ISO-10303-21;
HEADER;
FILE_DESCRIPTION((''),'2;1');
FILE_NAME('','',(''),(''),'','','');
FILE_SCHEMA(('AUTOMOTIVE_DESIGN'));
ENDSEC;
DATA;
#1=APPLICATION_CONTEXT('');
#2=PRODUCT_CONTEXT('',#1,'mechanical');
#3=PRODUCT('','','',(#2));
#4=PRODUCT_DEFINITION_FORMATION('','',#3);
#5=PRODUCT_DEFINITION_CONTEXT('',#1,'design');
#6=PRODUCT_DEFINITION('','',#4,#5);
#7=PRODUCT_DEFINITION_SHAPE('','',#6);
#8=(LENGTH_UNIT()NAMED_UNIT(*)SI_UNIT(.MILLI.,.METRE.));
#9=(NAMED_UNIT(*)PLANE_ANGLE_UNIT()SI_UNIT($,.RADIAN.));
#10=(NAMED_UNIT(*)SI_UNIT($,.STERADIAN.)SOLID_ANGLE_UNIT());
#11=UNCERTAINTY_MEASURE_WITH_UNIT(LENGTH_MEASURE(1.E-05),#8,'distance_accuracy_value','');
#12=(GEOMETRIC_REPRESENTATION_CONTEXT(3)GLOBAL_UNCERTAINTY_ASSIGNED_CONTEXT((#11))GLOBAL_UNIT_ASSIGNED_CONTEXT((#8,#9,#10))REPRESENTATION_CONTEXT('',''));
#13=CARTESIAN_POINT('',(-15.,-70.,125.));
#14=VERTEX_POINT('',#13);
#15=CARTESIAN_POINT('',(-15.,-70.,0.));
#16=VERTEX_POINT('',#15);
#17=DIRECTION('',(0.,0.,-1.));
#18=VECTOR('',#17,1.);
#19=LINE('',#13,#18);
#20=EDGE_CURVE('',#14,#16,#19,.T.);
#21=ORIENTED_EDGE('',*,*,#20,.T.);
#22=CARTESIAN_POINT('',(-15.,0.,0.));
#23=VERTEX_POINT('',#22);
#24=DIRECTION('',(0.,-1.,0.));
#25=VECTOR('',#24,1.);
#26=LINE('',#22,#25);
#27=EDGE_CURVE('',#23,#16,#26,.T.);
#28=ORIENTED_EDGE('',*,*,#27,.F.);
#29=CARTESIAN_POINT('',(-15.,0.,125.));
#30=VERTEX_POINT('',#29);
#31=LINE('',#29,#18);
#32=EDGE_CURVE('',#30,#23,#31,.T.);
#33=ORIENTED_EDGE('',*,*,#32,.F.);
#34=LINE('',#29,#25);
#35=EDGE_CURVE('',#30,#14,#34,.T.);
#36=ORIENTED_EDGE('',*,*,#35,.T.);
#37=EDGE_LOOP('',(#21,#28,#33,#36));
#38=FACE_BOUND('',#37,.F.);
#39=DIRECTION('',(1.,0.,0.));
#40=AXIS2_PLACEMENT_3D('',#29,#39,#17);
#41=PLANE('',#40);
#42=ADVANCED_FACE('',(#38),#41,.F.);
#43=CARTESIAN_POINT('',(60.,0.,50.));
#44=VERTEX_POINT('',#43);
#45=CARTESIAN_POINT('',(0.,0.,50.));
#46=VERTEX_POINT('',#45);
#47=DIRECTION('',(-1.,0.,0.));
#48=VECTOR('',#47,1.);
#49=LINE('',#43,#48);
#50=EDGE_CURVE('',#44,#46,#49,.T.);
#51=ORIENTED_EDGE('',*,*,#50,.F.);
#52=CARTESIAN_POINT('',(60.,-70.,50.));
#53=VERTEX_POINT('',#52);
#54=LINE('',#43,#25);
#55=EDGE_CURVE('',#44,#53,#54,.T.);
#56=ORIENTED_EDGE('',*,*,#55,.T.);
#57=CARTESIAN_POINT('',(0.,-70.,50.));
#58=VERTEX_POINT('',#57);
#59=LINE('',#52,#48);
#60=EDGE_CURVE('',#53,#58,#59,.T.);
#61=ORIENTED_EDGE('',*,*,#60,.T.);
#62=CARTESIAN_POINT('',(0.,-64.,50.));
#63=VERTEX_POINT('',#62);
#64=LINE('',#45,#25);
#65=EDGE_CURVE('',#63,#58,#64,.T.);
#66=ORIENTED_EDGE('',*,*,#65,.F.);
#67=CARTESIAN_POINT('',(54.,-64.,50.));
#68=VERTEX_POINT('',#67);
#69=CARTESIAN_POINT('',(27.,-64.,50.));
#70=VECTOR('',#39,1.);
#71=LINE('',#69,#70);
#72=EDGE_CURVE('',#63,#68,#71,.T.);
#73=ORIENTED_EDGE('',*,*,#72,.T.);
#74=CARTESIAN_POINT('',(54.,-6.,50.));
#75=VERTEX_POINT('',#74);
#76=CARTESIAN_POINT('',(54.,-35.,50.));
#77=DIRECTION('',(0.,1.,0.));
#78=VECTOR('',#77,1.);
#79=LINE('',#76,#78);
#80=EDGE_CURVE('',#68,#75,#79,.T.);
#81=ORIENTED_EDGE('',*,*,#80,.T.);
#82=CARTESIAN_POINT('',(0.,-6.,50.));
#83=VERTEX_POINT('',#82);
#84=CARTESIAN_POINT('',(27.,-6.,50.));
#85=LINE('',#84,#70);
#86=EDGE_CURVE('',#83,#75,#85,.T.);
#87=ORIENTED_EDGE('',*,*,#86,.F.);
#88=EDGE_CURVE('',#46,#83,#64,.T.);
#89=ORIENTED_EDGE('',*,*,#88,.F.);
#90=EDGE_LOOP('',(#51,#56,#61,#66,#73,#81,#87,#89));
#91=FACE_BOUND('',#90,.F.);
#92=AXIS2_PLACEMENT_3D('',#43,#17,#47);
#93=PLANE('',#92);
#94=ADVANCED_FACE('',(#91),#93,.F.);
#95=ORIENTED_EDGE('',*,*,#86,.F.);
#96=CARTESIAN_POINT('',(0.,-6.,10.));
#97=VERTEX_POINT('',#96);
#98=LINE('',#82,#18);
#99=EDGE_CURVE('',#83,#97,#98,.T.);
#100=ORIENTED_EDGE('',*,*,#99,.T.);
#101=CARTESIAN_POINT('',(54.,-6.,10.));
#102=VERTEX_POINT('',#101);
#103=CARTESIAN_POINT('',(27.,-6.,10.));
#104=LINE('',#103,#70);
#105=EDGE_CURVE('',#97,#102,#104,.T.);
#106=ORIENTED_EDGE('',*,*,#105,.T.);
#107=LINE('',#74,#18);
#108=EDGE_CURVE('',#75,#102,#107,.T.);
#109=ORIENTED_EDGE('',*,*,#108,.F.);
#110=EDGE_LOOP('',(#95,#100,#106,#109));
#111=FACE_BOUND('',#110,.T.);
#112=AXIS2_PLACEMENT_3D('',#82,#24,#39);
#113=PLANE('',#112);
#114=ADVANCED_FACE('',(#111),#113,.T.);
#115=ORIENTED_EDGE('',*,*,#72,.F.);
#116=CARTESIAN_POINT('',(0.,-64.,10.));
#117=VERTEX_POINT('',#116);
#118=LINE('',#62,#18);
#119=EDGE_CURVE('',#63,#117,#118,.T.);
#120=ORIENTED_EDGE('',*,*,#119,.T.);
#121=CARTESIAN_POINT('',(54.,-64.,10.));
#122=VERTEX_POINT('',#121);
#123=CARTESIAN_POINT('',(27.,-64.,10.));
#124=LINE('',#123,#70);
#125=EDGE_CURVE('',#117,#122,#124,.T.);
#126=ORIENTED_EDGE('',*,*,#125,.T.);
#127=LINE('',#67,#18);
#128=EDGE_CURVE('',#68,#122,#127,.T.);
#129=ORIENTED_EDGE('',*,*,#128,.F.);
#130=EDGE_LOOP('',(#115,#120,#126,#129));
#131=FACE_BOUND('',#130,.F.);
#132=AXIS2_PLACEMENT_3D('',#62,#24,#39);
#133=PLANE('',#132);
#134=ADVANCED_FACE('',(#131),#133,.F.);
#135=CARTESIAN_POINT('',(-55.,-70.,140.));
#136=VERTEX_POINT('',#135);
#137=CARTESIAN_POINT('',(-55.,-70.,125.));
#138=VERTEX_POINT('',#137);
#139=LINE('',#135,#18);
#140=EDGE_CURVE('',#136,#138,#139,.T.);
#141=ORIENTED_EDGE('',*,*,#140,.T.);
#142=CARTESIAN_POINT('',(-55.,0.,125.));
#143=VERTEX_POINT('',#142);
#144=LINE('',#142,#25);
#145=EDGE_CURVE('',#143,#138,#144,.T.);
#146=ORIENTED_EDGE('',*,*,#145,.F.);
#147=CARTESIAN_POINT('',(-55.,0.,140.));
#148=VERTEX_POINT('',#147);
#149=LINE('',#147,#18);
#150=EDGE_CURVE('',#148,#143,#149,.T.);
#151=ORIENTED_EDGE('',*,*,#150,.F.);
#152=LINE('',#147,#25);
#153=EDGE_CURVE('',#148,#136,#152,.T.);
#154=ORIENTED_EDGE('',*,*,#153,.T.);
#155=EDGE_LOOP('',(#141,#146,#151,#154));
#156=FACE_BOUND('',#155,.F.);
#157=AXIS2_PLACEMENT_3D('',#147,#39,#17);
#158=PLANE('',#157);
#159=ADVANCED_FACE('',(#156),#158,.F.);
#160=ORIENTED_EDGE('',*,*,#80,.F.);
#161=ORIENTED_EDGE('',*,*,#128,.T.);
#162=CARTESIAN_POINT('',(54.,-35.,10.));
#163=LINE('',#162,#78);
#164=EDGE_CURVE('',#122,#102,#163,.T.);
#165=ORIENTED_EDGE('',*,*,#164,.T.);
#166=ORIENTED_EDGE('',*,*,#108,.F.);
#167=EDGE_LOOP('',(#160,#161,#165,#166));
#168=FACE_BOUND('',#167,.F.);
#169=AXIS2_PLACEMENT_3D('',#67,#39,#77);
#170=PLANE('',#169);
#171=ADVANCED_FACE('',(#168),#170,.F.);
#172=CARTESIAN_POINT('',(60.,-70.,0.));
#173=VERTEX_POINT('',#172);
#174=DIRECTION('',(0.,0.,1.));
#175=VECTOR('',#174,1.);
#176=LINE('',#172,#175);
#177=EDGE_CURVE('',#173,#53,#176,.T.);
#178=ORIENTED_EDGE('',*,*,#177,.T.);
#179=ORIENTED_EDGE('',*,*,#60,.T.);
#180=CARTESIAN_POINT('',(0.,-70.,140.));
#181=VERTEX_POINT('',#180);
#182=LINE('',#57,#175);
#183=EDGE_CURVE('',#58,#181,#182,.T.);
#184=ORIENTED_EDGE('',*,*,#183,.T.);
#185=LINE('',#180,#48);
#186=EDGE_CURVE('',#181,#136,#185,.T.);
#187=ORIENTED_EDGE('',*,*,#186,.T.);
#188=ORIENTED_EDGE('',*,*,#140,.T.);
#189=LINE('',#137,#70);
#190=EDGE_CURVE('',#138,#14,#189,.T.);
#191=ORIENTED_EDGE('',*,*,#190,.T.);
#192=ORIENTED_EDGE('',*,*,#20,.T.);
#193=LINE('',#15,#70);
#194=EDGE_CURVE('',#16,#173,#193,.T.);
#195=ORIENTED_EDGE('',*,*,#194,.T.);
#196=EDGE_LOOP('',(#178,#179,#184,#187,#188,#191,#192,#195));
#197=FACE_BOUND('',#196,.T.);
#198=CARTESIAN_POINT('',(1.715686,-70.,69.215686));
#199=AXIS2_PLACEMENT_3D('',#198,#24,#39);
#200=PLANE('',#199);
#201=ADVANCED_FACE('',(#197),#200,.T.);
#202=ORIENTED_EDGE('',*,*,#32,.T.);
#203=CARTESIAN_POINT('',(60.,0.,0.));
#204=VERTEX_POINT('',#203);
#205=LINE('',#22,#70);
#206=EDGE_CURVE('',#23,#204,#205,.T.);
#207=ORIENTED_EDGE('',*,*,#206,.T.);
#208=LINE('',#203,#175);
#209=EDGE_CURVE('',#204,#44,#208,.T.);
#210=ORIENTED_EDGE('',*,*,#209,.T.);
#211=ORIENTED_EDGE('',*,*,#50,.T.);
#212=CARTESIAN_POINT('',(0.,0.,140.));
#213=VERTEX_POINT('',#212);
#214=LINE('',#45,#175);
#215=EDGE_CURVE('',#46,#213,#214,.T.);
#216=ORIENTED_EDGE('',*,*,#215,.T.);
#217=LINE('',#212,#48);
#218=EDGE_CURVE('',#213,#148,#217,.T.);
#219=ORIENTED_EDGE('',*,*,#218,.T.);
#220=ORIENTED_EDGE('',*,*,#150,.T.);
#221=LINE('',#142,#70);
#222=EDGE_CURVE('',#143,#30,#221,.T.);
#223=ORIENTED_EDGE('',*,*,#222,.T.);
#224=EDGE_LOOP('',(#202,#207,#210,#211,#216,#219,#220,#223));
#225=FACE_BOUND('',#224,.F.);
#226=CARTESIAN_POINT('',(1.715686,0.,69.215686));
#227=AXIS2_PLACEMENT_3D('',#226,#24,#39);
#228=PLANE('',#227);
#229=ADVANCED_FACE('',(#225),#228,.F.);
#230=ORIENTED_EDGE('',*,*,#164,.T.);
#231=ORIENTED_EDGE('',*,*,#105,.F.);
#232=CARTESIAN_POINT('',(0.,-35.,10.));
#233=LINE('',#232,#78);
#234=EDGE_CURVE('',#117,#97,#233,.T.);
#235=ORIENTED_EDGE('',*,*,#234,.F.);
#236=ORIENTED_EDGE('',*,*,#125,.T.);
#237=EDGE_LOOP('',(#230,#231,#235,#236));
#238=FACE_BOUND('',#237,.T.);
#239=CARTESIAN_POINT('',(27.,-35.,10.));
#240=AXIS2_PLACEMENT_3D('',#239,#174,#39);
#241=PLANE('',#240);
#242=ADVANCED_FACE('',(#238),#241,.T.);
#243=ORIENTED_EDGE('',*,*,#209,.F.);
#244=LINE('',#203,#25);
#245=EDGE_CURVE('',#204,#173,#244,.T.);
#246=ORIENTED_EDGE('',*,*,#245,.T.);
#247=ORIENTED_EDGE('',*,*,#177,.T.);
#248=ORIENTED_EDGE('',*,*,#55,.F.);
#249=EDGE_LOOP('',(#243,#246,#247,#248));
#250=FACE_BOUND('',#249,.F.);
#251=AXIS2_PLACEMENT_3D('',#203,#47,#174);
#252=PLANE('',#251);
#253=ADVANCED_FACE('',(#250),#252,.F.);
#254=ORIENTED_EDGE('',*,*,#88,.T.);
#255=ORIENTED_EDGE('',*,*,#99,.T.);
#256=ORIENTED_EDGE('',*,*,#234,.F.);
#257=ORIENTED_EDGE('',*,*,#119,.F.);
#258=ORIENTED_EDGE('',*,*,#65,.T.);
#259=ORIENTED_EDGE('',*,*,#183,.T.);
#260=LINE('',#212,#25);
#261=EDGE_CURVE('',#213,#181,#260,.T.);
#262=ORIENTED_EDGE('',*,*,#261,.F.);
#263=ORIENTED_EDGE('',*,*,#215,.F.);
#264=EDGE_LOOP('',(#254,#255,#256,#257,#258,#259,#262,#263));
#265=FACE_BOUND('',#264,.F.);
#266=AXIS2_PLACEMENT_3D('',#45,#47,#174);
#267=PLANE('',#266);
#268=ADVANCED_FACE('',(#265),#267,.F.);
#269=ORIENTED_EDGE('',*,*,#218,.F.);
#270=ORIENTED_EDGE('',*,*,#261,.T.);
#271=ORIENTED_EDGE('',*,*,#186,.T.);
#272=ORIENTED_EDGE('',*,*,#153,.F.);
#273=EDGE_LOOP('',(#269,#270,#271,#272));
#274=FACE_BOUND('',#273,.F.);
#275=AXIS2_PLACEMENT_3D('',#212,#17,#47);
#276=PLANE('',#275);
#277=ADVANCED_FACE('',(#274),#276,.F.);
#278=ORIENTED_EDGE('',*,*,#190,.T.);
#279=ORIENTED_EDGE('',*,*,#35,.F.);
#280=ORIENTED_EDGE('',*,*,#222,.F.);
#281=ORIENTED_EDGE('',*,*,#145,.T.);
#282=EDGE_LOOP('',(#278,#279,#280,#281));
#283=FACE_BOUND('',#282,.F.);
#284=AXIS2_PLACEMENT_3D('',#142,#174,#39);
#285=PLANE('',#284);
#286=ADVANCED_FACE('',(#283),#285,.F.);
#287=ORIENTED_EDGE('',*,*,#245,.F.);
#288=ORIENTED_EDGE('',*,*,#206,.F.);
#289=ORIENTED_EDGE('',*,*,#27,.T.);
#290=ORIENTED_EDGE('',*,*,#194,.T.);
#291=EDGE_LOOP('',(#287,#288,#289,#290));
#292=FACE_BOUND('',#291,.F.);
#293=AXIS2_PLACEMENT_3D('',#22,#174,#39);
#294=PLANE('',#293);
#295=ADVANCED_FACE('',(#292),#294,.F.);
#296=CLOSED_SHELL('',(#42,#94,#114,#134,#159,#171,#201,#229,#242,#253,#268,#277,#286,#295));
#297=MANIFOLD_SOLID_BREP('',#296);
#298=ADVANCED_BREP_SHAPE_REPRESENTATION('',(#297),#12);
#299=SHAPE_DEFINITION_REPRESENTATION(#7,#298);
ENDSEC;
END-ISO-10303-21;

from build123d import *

# Parameters (mm, degrees)
F1_DEPTH = 70
F2_W     = 54
F2_H     = 58
F3_DEPTH = 40


with BuildPart() as f1:
    # F0 (on Front) → F1 (new body)
    with BuildSketch(Plane.XZ):
        Polygon((-15, 0), (0, 0), (60, 0), (60, 50), (0, 50), (0, 140), (-15, 140), (-55, 140), (-55, 125), (-15, 125), align=None)
    extrude(amount=F1_DEPTH)

    # F2 (on face) → F3 (cut)
    with BuildSketch(Plane.XY.offset(50)):
        with Locations((27, -35)):
            Rectangle(F2_W, F2_H)
    extrude(amount=-F3_DEPTH, mode=Mode.SUBTRACT)


solid = f1.part
